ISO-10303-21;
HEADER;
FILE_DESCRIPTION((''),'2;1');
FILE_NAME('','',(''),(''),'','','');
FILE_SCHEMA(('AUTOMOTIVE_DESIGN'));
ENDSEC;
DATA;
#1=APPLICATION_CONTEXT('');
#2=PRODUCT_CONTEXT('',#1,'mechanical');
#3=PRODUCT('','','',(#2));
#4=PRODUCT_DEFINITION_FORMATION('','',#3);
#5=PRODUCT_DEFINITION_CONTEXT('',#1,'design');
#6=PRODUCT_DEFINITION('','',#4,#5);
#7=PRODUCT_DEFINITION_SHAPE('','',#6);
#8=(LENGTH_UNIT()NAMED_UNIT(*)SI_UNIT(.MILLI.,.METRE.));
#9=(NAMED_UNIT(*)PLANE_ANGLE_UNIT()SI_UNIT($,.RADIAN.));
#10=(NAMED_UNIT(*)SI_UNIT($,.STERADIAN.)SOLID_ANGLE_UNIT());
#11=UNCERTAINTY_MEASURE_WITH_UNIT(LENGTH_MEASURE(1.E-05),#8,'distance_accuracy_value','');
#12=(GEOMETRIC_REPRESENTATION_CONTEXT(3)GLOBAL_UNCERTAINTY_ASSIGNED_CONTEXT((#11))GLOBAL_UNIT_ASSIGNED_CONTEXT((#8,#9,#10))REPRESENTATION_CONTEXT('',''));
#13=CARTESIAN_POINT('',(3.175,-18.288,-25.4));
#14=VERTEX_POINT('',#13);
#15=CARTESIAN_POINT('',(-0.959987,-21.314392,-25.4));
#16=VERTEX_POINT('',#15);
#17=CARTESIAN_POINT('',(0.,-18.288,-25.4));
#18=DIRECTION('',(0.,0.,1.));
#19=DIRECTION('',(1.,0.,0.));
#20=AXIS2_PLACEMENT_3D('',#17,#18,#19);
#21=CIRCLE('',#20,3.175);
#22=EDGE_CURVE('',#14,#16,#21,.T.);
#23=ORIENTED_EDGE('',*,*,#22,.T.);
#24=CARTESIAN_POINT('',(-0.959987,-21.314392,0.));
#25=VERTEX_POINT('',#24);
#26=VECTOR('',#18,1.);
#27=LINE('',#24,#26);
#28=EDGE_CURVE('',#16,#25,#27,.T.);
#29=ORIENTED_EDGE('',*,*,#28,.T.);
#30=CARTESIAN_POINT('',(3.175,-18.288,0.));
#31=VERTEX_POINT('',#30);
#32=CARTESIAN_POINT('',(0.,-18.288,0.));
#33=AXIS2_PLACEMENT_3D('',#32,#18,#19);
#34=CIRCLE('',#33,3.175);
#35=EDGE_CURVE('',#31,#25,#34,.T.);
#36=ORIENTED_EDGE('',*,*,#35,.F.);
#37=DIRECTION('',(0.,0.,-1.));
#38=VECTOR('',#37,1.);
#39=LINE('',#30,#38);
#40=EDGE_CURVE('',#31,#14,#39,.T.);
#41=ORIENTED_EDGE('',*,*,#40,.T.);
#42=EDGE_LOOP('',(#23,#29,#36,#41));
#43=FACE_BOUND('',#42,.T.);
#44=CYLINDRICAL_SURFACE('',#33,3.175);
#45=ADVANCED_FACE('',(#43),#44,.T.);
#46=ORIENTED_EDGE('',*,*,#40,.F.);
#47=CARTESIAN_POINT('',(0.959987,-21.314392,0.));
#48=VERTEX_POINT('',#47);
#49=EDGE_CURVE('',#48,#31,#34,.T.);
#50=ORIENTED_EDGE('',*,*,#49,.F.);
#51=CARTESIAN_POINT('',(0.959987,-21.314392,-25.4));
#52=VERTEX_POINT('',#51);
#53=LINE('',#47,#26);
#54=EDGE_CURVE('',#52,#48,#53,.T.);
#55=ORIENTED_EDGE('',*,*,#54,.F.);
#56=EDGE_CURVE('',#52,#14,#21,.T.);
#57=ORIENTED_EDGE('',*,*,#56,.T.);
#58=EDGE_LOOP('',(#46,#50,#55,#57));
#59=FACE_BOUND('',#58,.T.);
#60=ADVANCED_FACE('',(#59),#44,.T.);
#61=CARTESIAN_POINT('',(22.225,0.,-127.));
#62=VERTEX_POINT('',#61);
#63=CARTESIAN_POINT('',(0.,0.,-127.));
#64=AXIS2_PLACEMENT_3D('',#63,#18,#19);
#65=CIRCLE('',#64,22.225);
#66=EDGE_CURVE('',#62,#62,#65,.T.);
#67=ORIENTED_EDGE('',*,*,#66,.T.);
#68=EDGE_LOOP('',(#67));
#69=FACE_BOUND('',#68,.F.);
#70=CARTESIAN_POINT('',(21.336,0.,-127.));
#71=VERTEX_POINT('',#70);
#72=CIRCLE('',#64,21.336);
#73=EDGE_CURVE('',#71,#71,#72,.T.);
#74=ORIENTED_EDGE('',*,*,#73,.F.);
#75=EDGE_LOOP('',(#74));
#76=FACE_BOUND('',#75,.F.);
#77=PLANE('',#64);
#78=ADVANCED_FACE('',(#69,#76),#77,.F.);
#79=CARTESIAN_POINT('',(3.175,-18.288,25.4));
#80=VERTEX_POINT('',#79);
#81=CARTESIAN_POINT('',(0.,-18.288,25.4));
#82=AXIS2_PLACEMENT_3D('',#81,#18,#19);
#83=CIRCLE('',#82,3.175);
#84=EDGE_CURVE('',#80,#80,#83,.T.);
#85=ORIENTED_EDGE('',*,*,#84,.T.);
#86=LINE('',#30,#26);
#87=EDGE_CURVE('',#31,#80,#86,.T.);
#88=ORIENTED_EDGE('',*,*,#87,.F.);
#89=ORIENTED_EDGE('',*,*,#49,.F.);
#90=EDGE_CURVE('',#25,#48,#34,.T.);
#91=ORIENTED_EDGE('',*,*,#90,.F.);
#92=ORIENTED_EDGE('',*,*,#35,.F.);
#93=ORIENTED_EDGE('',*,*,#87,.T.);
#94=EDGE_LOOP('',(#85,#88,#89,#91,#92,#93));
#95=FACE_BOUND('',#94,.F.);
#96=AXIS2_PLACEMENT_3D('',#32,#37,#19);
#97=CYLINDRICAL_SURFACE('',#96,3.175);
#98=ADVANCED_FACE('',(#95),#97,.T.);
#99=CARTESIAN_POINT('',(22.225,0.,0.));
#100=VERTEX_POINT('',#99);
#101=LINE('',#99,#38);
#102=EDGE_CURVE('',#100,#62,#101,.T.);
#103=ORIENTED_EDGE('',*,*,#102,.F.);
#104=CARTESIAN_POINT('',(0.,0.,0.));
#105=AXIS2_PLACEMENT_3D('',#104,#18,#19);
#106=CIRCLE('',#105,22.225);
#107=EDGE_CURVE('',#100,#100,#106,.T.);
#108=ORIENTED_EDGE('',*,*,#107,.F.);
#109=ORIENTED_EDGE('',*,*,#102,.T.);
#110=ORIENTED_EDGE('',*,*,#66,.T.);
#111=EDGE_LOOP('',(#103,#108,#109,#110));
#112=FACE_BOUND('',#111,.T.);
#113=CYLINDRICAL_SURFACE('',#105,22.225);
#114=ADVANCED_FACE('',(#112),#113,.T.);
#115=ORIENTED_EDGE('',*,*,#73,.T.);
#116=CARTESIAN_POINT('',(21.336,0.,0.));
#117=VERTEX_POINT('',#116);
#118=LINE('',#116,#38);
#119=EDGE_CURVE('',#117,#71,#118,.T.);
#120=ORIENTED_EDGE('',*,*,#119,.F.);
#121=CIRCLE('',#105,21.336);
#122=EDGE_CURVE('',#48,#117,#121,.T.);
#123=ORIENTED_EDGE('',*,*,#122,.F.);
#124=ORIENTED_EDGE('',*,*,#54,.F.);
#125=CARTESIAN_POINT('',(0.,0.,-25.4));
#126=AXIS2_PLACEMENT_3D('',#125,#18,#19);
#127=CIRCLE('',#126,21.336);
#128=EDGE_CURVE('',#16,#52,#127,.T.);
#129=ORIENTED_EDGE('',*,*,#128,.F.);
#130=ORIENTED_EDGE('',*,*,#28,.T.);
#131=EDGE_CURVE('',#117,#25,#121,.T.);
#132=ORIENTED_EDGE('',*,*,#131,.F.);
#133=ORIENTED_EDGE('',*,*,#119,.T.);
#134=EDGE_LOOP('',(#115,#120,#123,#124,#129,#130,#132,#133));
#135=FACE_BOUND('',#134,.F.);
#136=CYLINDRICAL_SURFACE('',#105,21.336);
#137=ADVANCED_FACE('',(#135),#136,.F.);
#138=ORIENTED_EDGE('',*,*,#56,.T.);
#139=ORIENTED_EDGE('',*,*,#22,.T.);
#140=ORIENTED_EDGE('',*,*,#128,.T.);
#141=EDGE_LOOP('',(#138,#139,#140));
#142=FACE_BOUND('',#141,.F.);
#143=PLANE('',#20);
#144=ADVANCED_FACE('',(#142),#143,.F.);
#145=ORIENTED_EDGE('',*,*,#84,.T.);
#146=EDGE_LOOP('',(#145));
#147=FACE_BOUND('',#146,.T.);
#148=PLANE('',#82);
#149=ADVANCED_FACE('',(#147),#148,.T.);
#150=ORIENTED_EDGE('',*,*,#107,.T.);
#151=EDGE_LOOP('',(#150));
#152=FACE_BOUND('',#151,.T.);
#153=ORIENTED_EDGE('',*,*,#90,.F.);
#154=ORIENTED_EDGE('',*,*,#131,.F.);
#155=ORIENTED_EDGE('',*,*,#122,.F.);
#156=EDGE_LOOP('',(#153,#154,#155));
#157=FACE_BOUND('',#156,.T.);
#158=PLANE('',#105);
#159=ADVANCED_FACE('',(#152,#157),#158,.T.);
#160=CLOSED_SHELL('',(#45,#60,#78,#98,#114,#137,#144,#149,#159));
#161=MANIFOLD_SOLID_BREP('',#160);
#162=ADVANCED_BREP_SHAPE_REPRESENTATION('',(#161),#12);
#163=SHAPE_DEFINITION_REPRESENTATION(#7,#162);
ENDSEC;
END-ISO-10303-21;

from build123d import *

# Parameters (mm, degrees)
F0_R          = 22.225
F0_R_2        = 21.336
F1_DEPTH      = 127
F2_R          = 3.175
F3_DEPTH      = 25.4
F3_DEPTH_BACK = 25.4


with BuildPart() as f1:
    # F0 (on Top) → F1 (new body)
    with BuildSketch(Plane.XY):
        Circle(F0_R)
        Circle(F0_R_2, mode=Mode.SUBTRACT)
    extrude(amount=-F1_DEPTH)

    # F2 (on face) → F3 (join, two sides)
    with BuildSketch(Plane.XY) as f3_sk:
        with Locations((0, -18.288)):
            Circle(F2_R)
    extrude(amount=F3_DEPTH)
    extrude(f3_sk.sketch, amount=-F3_DEPTH_BACK)


solid = f1.part
